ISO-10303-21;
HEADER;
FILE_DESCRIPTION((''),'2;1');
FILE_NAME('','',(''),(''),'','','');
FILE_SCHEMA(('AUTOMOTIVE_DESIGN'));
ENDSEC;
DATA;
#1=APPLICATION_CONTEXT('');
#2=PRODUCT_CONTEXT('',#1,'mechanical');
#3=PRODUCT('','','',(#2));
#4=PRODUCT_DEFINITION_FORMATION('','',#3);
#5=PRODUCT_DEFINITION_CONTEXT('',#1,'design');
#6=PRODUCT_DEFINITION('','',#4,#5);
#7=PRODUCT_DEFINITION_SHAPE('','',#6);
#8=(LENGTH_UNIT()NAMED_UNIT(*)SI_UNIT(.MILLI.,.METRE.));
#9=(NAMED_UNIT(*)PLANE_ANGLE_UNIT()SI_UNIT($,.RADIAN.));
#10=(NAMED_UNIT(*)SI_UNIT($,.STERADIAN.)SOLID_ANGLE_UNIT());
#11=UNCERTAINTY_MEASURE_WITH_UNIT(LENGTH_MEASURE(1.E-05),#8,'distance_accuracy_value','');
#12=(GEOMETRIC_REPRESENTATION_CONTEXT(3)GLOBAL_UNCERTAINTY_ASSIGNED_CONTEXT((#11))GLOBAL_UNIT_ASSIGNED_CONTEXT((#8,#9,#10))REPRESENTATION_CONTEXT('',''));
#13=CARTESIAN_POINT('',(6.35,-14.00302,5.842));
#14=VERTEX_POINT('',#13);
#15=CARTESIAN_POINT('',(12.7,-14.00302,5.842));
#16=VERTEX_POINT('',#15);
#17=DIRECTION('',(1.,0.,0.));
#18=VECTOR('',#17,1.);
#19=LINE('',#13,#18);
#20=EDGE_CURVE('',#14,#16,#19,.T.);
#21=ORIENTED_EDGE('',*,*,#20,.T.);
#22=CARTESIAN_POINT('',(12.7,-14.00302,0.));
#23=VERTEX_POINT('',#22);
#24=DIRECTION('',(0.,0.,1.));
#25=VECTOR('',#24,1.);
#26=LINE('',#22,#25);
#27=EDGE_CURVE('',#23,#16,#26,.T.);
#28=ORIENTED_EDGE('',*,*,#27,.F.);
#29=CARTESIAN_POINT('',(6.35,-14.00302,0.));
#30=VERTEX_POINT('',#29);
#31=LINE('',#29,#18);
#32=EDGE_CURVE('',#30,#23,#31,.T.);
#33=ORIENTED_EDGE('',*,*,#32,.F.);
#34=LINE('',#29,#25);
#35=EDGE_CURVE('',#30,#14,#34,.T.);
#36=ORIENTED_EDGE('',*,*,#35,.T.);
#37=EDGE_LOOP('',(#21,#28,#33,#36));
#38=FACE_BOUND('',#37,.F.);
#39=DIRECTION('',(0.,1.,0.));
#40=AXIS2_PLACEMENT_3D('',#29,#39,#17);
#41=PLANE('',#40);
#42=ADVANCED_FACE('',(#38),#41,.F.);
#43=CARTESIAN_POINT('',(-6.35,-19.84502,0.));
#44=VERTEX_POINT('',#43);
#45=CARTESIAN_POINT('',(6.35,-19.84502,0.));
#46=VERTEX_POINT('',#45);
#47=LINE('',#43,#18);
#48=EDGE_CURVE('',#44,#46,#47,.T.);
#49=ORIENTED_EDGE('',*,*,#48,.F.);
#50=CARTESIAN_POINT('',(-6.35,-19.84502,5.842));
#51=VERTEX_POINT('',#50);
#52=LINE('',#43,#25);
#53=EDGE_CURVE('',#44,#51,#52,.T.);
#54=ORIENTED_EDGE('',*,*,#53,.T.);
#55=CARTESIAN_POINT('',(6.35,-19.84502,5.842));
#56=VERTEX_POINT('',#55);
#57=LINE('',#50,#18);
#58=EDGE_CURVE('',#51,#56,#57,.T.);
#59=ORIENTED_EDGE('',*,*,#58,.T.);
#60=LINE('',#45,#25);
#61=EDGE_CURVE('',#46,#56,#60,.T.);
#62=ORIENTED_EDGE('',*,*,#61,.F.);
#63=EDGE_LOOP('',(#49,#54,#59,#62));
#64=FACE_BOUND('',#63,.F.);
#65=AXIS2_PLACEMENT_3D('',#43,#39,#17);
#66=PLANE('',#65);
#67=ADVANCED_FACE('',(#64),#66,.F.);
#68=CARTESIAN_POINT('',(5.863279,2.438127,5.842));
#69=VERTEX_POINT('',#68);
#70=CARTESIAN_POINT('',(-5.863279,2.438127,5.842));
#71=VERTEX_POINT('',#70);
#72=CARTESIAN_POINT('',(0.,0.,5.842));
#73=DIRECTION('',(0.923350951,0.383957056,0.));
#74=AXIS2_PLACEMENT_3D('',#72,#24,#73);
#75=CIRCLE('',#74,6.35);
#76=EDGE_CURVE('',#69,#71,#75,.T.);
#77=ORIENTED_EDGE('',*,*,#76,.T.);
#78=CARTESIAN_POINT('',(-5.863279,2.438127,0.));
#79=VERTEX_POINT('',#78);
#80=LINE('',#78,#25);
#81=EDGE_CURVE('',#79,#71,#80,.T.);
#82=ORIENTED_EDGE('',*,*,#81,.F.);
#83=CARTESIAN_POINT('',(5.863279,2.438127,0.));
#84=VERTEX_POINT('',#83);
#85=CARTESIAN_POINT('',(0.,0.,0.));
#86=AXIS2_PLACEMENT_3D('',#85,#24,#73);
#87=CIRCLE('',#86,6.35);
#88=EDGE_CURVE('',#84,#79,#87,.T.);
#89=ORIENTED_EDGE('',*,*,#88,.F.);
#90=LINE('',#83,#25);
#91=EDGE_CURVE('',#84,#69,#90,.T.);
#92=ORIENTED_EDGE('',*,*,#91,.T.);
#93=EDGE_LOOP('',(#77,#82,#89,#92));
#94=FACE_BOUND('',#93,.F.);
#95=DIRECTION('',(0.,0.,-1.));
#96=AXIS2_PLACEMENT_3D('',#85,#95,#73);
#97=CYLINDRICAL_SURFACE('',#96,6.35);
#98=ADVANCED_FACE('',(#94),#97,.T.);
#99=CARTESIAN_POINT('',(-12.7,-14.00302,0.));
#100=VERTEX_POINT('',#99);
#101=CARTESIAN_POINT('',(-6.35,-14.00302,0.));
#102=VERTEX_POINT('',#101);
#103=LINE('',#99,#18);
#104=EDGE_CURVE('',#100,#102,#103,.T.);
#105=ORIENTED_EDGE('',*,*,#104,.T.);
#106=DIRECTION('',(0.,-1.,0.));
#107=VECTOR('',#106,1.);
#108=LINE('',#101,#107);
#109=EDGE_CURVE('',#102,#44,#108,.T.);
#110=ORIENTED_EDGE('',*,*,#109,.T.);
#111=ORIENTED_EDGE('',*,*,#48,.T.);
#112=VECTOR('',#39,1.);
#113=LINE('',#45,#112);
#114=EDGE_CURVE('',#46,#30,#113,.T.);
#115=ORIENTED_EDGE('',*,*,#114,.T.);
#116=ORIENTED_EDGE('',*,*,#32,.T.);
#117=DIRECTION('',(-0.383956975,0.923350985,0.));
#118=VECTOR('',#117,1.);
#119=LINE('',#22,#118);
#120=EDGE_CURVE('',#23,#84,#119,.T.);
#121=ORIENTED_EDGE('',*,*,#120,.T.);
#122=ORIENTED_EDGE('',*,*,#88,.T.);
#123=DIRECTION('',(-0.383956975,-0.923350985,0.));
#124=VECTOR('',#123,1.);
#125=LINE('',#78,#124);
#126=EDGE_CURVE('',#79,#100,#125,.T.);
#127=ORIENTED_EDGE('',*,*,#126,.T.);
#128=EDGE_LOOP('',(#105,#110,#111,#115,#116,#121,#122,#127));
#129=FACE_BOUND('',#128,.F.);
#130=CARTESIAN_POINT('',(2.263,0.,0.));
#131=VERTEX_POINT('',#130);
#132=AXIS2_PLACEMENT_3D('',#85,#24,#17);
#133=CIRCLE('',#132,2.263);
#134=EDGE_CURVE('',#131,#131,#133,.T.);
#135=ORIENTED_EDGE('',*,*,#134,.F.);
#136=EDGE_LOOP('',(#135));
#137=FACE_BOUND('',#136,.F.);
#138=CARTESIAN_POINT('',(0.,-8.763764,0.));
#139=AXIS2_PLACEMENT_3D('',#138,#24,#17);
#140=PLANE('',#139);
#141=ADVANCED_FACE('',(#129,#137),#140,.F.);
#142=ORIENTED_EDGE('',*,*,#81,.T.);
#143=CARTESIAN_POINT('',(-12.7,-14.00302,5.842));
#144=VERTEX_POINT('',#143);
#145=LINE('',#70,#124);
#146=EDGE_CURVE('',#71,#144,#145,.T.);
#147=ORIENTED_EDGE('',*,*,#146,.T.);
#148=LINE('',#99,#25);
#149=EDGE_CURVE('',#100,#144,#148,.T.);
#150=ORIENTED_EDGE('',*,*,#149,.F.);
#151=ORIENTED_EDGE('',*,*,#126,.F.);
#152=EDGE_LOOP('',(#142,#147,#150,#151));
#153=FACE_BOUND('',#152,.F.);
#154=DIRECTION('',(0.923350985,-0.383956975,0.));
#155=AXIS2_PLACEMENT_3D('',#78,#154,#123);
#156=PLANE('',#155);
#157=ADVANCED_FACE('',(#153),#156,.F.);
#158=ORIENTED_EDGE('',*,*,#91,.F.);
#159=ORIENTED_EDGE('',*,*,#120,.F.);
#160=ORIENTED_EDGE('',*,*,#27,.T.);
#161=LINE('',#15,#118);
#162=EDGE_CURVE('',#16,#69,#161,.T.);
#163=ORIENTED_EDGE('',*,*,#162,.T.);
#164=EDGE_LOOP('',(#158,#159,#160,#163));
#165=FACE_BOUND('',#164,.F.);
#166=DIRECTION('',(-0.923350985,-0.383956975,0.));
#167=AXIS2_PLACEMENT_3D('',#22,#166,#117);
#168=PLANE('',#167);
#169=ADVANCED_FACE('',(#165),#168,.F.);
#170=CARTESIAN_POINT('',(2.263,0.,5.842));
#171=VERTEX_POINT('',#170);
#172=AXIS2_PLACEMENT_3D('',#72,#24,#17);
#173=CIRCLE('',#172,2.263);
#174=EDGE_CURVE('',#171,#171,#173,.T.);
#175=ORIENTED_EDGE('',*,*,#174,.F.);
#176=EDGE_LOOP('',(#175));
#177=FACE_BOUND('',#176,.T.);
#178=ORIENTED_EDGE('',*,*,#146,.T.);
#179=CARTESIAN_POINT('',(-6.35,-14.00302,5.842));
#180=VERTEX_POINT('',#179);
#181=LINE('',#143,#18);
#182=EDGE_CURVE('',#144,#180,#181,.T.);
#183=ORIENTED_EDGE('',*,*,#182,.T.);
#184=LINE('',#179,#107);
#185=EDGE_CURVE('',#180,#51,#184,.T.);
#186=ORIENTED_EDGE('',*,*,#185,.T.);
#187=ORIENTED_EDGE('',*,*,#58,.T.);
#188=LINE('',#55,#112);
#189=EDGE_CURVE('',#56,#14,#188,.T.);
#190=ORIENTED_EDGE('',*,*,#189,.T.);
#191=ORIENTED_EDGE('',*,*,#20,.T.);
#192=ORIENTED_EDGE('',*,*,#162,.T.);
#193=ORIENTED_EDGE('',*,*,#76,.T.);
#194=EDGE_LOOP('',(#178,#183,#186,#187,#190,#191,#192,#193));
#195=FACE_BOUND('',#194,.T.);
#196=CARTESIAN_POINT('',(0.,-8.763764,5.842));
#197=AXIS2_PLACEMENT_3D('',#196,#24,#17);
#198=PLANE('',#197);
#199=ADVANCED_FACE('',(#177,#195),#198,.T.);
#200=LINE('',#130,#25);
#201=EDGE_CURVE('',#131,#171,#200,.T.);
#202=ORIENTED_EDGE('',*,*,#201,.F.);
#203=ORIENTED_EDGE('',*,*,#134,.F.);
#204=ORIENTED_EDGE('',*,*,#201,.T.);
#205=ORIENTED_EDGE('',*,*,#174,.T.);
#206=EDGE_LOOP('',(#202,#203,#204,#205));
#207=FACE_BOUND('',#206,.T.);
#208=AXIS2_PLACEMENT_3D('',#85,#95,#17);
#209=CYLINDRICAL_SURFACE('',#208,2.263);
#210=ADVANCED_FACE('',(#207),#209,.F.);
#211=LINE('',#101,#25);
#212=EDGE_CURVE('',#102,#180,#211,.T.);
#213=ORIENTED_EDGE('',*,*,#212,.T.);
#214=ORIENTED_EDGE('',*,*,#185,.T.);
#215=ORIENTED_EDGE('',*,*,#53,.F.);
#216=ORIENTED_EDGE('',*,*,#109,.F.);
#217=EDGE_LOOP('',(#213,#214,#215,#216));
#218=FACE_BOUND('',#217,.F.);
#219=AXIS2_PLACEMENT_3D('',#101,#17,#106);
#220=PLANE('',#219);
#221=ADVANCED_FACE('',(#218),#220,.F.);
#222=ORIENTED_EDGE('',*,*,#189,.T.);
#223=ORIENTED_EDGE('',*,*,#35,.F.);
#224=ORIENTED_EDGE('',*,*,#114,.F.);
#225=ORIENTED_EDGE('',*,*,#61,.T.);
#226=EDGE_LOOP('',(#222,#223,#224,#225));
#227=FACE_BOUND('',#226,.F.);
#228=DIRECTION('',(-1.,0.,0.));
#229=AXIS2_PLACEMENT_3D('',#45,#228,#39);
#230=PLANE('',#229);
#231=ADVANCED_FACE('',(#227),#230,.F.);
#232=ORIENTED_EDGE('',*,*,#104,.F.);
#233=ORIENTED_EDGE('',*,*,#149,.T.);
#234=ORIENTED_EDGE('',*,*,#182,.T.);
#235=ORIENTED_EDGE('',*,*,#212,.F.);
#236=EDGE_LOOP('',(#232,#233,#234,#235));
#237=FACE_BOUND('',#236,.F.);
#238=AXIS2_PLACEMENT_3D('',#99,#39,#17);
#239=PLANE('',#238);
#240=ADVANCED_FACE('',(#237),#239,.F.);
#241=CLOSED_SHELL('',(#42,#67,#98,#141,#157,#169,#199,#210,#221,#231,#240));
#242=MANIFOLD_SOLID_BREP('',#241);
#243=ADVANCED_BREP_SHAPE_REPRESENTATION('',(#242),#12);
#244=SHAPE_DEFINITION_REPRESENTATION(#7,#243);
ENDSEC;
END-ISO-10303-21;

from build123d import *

# Parameters (mm, degrees)
F0_R     = 2.263
F1_DEPTH = 5.842


with BuildPart() as f1:
    # F0 (on Top) → F1 (new body)
    with BuildSketch(Plane.XY):
        with BuildLine():
            Line((-6.35, -14.00302), (-6.35, -19.84502))
            Line((-6.35, -19.84502), (6.35, -19.84502))
            Line((6.35, -19.84502), (6.35, -14.00302))
            Line((6.35, -14.00302), (12.7, -14.00302))
            Line((12.7, -14.00302), (5.863279, 2.438127))
            ThreePointArc((5.863279, 2.438127), (0, 6.35), (-5.863279, 2.438127))
            Line((-5.863279, 2.438127), (-12.7, -14.00302))
            Line((-12.7, -14.00302), (-6.35, -14.00302))
        make_face()
        Circle(F0_R, mode=Mode.SUBTRACT)
    extrude(amount=F1_DEPTH)


solid = f1.part
